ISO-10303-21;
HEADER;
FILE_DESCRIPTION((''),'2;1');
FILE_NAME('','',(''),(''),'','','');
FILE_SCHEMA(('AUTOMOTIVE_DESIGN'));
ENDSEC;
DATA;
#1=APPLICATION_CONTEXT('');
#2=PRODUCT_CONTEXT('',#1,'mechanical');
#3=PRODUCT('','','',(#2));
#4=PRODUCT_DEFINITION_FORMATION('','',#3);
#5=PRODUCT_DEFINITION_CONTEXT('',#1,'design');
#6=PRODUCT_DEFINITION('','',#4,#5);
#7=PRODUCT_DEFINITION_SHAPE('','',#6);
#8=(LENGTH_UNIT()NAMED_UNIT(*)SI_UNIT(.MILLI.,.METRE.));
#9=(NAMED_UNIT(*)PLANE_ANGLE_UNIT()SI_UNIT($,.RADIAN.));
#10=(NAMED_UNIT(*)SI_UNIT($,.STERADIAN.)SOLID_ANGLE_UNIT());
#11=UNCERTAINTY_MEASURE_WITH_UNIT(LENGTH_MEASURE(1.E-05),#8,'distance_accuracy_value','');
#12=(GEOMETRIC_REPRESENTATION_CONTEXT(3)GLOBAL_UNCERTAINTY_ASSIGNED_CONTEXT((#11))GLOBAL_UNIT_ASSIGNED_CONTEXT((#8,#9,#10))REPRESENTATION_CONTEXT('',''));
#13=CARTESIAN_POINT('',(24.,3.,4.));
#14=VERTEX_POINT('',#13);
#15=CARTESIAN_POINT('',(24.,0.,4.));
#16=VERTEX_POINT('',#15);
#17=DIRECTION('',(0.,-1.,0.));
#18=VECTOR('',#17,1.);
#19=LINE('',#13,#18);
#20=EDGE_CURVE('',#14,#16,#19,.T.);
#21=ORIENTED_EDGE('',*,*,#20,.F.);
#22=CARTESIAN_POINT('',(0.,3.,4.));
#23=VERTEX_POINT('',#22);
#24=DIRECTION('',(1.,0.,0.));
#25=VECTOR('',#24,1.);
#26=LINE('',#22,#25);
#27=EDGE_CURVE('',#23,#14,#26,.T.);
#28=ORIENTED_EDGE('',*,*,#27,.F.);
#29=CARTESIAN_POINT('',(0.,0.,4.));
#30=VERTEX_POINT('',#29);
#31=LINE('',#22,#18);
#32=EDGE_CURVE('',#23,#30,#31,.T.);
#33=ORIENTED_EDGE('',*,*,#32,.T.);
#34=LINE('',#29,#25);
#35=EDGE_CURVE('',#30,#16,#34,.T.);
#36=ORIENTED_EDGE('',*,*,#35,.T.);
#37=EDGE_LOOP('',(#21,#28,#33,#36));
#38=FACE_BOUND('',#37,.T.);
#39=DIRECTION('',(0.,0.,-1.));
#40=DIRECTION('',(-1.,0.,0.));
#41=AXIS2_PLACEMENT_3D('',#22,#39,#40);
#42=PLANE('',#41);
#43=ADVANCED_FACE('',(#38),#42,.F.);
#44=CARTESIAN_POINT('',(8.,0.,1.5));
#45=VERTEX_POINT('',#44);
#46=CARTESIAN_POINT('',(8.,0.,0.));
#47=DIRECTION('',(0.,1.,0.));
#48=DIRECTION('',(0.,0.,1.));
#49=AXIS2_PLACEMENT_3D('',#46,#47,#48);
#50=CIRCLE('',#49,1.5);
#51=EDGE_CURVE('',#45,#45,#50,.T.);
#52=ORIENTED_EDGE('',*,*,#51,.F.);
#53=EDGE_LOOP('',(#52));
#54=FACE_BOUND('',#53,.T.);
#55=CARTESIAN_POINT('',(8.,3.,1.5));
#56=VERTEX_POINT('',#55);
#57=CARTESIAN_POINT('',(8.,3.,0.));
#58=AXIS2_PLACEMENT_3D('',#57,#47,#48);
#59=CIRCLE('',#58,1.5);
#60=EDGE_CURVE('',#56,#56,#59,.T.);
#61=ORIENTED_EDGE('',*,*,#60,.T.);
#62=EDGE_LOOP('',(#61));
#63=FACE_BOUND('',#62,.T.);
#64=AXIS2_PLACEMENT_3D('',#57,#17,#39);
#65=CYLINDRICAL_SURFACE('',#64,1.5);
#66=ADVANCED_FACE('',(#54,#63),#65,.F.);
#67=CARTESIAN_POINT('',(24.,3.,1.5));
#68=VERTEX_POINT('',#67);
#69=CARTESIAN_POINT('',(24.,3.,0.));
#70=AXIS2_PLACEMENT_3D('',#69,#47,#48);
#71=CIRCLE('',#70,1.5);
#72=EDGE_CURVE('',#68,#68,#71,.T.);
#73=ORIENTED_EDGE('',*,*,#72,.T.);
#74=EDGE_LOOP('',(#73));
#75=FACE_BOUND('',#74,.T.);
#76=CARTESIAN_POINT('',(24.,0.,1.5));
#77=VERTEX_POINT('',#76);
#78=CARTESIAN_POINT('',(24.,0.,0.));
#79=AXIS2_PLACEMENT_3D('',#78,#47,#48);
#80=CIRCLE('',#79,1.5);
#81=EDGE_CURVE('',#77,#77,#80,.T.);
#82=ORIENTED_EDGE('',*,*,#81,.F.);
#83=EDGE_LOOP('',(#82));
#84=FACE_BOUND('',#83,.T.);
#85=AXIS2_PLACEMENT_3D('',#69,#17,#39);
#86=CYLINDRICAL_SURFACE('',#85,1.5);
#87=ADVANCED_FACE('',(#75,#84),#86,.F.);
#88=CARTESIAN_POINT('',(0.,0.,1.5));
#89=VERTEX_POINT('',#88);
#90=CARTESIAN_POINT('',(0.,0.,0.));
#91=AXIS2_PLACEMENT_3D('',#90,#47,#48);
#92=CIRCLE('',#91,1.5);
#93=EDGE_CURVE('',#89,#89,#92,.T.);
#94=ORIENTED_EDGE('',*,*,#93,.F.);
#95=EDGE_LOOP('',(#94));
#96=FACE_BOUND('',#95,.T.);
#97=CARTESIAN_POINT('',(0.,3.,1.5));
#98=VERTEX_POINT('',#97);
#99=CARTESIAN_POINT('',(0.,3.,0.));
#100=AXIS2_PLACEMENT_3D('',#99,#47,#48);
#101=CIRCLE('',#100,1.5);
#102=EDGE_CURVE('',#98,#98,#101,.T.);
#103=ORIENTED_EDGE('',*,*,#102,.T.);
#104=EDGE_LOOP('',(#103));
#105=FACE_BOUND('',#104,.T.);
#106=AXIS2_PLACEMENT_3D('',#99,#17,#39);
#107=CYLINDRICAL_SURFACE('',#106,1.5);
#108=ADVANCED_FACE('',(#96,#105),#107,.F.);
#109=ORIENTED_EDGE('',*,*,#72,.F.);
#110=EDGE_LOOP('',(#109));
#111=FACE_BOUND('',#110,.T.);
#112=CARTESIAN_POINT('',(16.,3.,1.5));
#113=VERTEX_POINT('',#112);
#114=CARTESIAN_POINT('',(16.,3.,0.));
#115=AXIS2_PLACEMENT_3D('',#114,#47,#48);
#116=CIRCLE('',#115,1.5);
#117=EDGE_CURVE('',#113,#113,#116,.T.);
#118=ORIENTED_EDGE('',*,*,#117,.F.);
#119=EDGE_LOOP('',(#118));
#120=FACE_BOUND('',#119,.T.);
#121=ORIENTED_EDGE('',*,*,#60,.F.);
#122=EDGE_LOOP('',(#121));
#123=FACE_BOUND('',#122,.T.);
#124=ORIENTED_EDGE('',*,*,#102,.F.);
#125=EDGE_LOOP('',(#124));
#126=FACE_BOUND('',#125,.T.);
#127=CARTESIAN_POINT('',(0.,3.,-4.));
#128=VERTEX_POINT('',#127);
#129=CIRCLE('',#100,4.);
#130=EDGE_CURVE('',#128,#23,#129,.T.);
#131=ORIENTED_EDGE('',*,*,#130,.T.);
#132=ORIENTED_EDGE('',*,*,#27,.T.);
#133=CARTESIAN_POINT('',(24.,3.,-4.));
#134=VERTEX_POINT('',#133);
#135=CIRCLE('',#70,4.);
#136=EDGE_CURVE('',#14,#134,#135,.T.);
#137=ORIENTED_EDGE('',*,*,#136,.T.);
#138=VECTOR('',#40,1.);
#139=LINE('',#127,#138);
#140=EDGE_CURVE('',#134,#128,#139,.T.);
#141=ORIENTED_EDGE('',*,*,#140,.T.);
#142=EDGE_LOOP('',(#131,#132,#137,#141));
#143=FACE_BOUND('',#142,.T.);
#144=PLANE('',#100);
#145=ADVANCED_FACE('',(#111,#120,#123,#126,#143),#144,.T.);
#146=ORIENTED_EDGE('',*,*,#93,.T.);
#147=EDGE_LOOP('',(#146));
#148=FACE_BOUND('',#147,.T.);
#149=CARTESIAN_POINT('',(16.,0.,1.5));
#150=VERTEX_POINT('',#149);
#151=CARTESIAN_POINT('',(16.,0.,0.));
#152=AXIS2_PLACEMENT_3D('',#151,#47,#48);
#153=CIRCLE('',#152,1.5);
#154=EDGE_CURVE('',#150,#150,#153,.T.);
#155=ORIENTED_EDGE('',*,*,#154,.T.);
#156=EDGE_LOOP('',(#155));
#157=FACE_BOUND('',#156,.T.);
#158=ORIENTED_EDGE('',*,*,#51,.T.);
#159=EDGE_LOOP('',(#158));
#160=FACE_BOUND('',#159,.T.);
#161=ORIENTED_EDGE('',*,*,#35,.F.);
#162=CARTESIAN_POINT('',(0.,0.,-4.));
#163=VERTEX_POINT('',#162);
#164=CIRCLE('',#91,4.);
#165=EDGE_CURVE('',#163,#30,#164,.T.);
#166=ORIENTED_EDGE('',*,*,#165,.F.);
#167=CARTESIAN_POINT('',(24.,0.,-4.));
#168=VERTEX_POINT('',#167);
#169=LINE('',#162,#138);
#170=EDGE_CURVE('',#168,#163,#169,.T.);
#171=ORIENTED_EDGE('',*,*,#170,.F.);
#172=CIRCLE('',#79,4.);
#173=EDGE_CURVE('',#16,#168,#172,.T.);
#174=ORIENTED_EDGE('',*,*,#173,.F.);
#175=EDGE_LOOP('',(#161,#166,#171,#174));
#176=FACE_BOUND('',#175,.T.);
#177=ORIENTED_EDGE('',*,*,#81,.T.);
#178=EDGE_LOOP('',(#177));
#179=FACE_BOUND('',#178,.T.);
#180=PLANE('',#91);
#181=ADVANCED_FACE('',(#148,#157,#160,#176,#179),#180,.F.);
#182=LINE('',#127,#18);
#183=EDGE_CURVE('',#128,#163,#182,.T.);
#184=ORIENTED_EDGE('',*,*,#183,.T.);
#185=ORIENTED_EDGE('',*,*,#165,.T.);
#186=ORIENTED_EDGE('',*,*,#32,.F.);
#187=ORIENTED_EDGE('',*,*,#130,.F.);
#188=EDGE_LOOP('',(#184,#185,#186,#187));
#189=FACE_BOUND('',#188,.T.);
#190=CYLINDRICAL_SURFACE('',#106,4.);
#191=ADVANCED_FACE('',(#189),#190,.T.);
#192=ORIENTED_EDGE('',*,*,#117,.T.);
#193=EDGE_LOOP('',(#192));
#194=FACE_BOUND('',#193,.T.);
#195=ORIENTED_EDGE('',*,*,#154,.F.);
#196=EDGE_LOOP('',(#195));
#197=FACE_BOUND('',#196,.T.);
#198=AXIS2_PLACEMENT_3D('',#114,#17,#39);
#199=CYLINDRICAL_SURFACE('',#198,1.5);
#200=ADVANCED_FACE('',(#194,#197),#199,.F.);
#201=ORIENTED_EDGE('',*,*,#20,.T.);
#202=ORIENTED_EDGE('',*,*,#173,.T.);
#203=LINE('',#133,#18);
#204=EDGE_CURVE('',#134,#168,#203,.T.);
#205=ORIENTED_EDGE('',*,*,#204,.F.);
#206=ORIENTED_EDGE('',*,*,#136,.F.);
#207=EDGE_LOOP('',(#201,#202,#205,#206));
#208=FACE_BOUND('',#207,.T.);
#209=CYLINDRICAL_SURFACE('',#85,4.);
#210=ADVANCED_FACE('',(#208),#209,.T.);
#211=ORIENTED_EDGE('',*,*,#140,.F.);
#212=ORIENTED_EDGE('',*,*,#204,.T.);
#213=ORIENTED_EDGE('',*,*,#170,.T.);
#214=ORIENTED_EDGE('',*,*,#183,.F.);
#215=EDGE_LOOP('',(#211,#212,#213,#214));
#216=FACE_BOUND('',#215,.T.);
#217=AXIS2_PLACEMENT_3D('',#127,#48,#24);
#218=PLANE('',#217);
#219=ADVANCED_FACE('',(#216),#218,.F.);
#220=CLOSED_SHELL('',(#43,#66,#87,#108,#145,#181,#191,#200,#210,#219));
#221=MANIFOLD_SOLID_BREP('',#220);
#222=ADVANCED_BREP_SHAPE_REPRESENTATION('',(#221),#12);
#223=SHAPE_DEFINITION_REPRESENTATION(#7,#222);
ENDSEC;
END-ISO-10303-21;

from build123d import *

# Parameters (mm, degrees)
SKETCH2_R           = 1.5
BOSS_EXTRUDE2_DEPTH = 3


with BuildPart() as part:
    # Sketch2 → Boss-Extrude2 (new body)
    with BuildSketch(Plane(origin=(0, 0, 0), x_dir=(1, 0, 0), z_dir=(0, 1, 0))):
        with BuildLine():
            Line((0, 4), (24, 4))
            ThreePointArc((24, 4), (28, 0), (24, -4))
            Line((24, -4), (0, -4))
            ThreePointArc((0, -4), (-4, 0), (0, 4))
        make_face()
        with Locations(Location((0, 0, 0), (0, 0, 270))):
            Circle(SKETCH2_R, mode=Mode.SUBTRACT)
        with Locations(Location((8, 0, 0), (0, 0, 270))):
            Circle(SKETCH2_R, mode=Mode.SUBTRACT)
        with Locations(Location((16, 0, 0), (0, 0, 270))):
            Circle(SKETCH2_R, mode=Mode.SUBTRACT)
        with Locations(Location((24, 0, 0), (0, 0, 270))):
            Circle(SKETCH2_R, mode=Mode.SUBTRACT)
    extrude(amount=BOSS_EXTRUDE2_DEPTH)


solid = part.part
